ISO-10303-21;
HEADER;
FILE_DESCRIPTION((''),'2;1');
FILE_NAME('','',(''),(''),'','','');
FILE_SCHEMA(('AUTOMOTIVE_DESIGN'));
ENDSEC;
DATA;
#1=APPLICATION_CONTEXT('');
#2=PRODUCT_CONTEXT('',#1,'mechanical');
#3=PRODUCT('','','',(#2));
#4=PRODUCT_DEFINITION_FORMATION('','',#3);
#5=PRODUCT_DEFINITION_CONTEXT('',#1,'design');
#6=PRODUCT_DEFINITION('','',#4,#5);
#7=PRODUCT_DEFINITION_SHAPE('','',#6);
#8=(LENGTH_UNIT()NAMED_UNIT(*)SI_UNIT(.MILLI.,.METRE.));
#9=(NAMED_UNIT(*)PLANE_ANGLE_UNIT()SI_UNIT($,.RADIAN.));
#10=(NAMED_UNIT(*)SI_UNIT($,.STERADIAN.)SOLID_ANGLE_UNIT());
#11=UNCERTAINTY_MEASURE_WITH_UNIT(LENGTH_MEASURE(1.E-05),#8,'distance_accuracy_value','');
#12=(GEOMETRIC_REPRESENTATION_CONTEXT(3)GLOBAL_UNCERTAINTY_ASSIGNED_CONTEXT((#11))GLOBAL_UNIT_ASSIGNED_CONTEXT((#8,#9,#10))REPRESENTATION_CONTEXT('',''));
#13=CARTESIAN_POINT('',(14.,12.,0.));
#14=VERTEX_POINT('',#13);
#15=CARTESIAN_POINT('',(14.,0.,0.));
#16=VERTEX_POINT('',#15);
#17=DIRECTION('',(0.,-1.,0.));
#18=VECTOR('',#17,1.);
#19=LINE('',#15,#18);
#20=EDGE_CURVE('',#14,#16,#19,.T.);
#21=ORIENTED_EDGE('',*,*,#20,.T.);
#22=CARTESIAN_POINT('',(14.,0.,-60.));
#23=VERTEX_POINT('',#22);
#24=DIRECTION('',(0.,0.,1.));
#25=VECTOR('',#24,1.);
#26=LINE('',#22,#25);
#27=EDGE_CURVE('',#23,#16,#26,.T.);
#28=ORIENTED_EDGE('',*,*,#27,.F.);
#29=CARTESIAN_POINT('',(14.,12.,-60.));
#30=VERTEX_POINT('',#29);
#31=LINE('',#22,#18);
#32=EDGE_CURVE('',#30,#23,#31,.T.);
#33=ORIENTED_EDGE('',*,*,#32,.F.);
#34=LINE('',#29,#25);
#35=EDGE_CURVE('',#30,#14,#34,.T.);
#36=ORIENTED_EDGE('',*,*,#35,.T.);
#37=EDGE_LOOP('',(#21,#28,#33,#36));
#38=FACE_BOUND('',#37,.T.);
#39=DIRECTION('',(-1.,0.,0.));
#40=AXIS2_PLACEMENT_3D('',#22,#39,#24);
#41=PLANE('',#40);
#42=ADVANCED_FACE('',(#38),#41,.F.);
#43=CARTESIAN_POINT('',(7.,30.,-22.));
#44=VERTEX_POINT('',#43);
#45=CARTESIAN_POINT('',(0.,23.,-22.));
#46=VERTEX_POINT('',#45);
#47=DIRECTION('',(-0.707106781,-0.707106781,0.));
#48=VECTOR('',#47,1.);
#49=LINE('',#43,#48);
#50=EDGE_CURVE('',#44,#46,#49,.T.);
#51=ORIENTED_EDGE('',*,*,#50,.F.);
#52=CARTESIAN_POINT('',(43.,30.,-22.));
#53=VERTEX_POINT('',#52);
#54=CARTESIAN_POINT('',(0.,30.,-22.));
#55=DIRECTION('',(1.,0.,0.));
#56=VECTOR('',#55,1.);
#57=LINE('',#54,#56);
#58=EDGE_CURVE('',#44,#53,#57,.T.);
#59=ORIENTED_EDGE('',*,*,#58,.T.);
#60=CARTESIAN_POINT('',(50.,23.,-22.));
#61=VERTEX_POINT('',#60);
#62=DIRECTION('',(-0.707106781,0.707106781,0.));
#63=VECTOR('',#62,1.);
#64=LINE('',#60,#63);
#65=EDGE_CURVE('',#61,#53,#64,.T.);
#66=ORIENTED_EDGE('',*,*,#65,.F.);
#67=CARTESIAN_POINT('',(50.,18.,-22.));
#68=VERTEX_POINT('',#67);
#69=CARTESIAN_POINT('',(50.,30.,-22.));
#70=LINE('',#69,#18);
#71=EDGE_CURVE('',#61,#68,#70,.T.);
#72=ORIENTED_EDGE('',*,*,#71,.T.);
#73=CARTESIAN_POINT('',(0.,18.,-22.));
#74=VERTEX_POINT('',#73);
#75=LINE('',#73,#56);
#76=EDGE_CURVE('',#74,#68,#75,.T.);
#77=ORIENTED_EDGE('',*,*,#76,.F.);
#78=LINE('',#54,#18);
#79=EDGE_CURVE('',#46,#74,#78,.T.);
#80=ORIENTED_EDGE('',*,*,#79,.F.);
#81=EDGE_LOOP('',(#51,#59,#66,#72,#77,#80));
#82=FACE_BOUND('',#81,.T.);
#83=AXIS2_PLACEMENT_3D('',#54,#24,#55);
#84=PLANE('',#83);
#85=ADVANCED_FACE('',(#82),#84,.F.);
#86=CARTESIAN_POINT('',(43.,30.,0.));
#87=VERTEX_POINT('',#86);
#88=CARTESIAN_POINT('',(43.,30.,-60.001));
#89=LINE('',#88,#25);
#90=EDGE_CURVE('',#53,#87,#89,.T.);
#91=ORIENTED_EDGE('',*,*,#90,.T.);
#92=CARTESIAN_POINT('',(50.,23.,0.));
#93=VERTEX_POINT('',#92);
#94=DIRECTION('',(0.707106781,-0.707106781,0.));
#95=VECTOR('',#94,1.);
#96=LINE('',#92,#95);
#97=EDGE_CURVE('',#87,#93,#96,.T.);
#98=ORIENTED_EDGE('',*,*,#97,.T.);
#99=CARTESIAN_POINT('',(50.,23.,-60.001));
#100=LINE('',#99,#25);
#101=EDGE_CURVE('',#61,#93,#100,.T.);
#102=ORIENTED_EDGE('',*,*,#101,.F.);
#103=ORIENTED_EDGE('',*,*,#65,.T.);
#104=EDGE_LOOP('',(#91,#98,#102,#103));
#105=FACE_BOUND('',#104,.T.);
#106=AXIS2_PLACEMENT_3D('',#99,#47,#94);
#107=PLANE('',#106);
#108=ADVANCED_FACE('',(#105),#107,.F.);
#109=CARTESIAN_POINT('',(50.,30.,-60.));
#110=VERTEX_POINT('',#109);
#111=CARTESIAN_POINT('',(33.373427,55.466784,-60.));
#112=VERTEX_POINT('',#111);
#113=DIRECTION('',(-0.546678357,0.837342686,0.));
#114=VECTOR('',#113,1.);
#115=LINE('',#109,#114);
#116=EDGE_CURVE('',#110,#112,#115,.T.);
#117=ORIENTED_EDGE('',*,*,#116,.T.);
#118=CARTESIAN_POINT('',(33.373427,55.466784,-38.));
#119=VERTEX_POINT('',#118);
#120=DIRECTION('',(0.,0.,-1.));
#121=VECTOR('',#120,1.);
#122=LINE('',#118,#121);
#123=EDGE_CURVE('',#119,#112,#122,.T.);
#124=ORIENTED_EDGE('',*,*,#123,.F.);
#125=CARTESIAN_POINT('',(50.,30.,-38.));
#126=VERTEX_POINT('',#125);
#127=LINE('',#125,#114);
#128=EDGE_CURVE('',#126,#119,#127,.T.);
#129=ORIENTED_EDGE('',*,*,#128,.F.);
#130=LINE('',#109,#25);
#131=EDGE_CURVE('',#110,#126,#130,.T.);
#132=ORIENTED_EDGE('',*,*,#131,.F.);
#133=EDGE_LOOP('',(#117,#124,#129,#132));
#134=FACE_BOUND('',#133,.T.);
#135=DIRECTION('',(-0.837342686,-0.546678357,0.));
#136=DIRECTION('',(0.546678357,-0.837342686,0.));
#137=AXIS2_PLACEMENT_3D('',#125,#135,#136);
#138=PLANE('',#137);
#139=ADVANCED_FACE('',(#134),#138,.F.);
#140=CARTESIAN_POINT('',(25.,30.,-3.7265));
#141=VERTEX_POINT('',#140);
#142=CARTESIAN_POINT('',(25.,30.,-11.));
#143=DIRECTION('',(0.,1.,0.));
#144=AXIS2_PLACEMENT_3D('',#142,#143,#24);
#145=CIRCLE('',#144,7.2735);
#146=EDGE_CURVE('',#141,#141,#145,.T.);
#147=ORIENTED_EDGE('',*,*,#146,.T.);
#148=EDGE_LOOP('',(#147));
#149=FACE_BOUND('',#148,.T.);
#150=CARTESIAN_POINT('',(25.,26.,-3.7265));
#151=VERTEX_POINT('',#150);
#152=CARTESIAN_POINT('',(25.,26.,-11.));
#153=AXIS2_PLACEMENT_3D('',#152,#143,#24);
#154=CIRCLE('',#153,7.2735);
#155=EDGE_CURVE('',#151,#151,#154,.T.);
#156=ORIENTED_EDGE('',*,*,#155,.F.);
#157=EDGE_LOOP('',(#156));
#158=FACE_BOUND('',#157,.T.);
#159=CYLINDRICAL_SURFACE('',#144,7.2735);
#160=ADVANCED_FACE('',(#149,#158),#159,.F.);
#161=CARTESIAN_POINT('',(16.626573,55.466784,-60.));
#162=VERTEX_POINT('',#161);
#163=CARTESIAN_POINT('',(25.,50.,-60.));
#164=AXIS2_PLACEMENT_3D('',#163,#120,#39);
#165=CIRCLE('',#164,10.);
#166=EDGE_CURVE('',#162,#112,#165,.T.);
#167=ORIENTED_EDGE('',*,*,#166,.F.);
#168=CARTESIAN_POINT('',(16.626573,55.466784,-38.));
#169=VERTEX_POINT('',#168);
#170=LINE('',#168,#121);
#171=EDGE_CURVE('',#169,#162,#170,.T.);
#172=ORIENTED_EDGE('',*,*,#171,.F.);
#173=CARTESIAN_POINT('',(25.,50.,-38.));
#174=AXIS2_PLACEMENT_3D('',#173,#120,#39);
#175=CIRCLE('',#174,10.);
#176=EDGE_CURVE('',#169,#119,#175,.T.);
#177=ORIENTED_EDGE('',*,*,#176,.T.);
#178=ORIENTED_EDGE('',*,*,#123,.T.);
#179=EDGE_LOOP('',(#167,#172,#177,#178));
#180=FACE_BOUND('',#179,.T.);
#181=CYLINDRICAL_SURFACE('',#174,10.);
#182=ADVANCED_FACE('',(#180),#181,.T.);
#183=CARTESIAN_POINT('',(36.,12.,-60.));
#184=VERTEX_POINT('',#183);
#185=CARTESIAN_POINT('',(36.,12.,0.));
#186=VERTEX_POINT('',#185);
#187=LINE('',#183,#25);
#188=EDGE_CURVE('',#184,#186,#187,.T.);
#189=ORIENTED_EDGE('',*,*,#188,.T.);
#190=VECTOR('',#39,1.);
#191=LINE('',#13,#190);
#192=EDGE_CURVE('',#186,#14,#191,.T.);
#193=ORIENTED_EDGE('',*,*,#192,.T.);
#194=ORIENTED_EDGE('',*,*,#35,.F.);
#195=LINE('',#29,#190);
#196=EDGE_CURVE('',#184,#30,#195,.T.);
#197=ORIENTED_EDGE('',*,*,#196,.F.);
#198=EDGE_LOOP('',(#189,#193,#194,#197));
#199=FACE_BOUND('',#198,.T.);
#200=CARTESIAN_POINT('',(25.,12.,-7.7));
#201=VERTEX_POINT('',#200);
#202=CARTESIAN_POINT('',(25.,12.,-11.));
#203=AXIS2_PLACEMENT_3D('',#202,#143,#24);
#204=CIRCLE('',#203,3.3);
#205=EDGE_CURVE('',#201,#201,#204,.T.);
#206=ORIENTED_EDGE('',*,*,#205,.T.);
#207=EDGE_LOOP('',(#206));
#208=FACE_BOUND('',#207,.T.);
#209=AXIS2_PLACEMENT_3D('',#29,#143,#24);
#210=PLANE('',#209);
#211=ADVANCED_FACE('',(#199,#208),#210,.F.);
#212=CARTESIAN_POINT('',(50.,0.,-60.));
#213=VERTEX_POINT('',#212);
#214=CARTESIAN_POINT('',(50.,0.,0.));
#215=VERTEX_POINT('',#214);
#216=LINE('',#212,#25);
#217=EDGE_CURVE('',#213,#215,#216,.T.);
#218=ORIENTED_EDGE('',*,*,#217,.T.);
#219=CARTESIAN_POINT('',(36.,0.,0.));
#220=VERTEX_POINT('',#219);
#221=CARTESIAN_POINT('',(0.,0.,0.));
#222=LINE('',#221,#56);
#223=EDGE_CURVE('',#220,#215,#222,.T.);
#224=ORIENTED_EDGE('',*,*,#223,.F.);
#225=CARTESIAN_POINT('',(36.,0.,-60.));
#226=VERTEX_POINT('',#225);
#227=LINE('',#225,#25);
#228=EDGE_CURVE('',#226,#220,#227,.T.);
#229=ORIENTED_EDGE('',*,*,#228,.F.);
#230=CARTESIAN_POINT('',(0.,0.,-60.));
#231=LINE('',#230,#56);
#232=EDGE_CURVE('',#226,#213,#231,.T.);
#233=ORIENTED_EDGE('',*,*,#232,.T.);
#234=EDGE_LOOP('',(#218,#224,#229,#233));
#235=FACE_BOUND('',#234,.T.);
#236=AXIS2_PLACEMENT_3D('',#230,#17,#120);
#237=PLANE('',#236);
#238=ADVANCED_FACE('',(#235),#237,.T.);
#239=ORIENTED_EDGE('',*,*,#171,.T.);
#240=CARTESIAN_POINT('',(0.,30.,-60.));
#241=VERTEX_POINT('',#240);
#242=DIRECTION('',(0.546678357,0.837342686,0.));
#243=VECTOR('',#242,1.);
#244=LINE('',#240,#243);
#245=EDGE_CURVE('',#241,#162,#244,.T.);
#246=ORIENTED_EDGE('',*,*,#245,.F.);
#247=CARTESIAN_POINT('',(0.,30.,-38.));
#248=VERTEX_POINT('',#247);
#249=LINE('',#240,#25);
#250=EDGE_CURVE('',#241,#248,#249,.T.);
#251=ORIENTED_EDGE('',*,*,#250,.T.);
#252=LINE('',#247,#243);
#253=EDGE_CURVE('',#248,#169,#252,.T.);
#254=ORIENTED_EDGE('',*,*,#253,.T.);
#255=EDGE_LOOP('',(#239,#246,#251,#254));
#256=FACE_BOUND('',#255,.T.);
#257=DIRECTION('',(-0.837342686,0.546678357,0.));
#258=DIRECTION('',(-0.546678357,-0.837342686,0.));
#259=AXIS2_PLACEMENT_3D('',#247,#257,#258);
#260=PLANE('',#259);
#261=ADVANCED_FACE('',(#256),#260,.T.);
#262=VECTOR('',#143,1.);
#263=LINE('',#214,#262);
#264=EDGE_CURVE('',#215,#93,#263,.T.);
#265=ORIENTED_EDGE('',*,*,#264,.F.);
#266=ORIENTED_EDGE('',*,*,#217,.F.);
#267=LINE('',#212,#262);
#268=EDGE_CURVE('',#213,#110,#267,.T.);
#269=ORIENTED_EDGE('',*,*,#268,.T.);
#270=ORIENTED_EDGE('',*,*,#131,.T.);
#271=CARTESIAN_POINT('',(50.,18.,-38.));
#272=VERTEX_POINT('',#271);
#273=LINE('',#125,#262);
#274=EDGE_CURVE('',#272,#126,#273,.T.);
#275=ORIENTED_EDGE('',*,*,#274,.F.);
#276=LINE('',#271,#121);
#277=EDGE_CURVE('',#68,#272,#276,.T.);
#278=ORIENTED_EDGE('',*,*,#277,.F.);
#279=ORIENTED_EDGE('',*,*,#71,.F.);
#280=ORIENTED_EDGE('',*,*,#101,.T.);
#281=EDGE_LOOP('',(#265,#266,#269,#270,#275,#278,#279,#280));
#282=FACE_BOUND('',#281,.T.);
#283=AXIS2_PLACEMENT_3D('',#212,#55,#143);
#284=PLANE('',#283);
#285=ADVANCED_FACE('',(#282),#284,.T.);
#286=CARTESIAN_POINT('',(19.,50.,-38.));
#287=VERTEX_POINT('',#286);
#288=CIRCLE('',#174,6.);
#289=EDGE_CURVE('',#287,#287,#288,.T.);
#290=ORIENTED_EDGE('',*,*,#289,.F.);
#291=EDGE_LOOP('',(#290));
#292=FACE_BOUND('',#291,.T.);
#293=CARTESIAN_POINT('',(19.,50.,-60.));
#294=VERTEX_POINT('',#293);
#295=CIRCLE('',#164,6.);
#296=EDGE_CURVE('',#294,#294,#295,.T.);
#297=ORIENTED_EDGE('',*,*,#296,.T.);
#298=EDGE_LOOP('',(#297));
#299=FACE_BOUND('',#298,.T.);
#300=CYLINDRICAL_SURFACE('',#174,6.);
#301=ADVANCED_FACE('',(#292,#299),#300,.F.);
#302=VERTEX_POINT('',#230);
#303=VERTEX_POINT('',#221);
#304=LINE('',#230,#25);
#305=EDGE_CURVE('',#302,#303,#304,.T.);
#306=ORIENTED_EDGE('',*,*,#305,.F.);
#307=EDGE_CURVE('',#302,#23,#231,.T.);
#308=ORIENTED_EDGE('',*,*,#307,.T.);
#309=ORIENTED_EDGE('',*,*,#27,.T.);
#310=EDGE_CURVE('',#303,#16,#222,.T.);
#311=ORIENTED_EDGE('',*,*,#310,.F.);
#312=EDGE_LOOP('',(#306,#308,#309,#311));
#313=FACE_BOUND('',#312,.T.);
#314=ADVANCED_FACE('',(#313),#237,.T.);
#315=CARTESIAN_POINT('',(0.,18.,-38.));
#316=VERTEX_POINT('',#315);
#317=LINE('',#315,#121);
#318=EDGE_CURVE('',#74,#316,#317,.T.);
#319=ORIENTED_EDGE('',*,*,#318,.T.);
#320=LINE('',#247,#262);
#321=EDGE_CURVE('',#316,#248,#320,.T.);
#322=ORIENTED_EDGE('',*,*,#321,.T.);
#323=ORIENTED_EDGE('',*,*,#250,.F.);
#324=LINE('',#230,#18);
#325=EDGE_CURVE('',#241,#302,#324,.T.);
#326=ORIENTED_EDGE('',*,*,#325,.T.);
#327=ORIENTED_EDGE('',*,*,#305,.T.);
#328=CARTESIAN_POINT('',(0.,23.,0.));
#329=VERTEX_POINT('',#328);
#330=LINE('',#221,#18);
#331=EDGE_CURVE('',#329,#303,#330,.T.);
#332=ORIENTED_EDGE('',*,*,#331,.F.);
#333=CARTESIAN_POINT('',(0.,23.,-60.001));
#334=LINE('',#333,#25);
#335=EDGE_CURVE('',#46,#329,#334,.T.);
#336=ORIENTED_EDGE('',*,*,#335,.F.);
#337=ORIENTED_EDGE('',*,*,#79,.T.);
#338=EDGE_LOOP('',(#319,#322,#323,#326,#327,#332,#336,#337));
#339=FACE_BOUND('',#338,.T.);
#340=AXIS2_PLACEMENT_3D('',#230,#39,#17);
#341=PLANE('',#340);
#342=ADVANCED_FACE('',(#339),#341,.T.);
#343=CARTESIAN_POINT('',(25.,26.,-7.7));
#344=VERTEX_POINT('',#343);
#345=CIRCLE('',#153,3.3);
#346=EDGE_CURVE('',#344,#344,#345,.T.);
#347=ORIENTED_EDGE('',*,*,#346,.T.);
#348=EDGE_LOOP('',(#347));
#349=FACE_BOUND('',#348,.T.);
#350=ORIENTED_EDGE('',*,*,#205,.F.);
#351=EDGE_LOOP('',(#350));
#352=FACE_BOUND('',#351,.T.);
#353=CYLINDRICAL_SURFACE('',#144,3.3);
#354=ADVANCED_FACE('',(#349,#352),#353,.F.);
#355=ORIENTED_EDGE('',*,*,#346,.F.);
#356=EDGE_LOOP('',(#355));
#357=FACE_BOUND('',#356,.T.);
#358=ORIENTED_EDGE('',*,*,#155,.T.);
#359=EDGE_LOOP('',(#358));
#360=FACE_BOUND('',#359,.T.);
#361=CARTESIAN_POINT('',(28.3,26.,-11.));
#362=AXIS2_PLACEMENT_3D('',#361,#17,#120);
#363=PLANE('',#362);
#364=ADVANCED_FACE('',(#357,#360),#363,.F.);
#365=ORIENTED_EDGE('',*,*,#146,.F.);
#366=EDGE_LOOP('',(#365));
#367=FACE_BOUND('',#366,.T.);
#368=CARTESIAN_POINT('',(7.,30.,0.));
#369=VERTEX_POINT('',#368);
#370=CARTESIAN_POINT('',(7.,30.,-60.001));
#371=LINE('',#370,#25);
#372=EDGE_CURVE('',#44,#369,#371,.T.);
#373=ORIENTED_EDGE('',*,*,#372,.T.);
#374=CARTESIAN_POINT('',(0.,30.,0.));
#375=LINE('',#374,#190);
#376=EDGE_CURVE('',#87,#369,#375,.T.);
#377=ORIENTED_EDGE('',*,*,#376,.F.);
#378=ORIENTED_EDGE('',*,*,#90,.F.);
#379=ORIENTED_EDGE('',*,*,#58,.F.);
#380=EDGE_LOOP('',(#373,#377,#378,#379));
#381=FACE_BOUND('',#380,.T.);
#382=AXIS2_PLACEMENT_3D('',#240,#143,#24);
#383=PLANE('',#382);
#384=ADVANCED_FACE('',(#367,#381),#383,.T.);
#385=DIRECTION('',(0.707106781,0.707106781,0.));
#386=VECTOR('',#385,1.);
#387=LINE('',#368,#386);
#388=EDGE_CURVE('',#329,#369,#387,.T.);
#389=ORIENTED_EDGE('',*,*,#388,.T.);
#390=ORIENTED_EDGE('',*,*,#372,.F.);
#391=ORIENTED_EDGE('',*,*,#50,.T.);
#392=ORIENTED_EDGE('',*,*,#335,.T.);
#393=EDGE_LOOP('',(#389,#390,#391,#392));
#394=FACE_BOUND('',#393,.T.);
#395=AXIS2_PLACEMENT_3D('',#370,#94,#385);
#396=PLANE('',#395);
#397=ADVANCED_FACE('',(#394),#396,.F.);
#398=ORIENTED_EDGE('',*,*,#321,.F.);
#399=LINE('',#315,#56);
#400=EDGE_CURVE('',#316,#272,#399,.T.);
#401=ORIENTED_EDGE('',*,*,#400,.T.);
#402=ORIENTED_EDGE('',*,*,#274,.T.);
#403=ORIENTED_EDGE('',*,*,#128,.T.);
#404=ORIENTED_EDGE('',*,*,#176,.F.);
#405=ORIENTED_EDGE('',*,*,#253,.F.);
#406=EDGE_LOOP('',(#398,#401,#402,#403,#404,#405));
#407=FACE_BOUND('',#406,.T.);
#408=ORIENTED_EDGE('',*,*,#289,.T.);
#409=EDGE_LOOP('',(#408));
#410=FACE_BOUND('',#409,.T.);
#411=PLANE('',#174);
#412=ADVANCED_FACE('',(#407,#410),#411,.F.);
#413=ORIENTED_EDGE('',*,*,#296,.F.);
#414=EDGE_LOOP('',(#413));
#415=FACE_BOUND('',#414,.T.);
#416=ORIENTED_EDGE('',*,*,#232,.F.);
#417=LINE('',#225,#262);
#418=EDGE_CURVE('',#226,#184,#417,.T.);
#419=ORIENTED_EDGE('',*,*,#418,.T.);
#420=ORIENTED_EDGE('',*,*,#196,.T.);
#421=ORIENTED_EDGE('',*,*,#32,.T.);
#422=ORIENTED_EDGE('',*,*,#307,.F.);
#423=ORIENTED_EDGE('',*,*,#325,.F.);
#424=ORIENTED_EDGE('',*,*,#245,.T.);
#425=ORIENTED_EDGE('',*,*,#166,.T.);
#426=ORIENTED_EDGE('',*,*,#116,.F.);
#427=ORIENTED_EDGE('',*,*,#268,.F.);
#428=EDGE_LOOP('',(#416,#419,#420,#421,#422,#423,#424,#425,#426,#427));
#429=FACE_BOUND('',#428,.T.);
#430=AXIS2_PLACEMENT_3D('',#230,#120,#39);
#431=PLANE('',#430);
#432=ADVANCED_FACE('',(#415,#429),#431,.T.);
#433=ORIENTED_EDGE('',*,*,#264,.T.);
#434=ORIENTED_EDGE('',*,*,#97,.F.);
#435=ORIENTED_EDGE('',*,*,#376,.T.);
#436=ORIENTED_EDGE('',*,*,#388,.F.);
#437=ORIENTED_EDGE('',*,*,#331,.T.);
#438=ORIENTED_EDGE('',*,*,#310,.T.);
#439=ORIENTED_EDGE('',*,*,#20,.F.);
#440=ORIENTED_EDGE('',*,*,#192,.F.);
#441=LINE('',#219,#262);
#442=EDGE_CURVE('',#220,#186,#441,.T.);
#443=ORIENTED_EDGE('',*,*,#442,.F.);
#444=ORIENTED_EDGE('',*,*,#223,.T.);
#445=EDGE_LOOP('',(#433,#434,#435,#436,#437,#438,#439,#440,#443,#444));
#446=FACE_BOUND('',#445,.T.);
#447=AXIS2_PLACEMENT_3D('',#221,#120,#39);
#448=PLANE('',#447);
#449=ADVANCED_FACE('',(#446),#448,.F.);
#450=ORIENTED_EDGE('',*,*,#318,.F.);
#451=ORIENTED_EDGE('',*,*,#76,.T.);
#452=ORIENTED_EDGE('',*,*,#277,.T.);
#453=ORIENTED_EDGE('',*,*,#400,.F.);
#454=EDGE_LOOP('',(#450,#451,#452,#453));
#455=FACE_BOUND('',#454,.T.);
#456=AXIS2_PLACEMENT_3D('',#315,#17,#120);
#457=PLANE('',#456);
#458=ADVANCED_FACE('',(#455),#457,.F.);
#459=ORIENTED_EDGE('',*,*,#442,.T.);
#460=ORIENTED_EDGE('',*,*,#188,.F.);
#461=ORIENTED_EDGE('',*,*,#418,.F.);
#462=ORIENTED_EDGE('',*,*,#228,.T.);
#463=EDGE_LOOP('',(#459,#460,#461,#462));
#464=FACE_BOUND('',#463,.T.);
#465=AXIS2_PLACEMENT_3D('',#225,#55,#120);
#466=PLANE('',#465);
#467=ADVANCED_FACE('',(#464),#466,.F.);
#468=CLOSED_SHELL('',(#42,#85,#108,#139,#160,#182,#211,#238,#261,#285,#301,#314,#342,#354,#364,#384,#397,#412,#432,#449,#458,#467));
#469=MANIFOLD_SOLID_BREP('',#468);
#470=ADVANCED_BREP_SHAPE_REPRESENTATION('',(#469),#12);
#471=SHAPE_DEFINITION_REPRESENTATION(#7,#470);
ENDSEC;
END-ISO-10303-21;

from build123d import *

# Parameters (mm, degrees)
SKETCH1_W                               = 50
SKETCH1_H                               = 30
BOSS_EXTRUDE1_DEPTH                     = 60
SKETCH2_R                               = 6
BOSS_EXTRUDE2_DEPTH                     = 22
SKETCH3_W                               = 16
SKETCH3_H                               = 12
CUT_EXTRUDE1_DEPTH                      = 99.488578018
SKETCH4_W                               = 22
SKETCH4_H                               = 12
CUT_EXTRUDE2_DEPTH                      = 99.488578018
CUT_EXTRUDE3_REACH                      = 100.489
CBORE_FOR_M6_HEX_HEAD_BOLT2_D           = 6.6
CBORE_FOR_M6_HEX_HEAD_BOLT2_CBORE_D     = 14.547
CBORE_FOR_M6_HEX_HEAD_BOLT2_CBORE_DEPTH = 4


with BuildPart() as part:
    # Sketch1 → Boss-Extrude1 (new body)
    with BuildSketch(Plane.XY):
        with Locations((25, 15)):
            Rectangle(SKETCH1_W, SKETCH1_H)
    extrude(amount=-BOSS_EXTRUDE1_DEPTH)

    # Sketch2 → Boss-Extrude2 (add)
    with BuildSketch(Plane(origin=(0, 0, -60), x_dir=(-1, 0, 0), z_dir=(0, 0, -1))):
        with BuildLine():
            Line((-50, 30), (-33.373426859, 55.466783574))
            ThreePointArc((-33.373426859, 55.466783574), (-25, 60), (-16.626573141, 55.466783574))
            Line((-16.626573141, 55.466783574), (0, 30))
            Line((0, 30), (-50, 30))
        make_face()
        with Locations((-25, 50)):
            Circle(SKETCH2_R, mode=Mode.SUBTRACT)
    extrude(amount=-BOSS_EXTRUDE2_DEPTH)

    # Sketch3 → Cut-Extrude1 (cut, through all)
    with BuildSketch(Plane(origin=(50, 0, 0), x_dir=(0, 0, -1), z_dir=(1, 0, 0))):
        with Locations((30, 24)):
            Rectangle(SKETCH3_W, SKETCH3_H)
    extrude(amount=-CUT_EXTRUDE1_DEPTH, mode=Mode.SUBTRACT)

    # Sketch4 → Cut-Extrude2 (cut, through all)
    with BuildSketch(Plane.XY):
        with Locations((25, 6)):
            Rectangle(SKETCH4_W, SKETCH4_H)
    extrude(amount=-CUT_EXTRUDE2_DEPTH, mode=Mode.SUBTRACT)

    # Sketch5 → Cut-Extrude3 (cut, up to next)
    with BuildSketch(Plane.XY, mode=Mode.PRIVATE) as cut_extrude3_sk1:
        Polygon((50, 30), (50, 23), (43, 30), align=None)
    cut_extrude3_tool1 = extrude(cut_extrude3_sk1.sketch, amount=-CUT_EXTRUDE3_REACH, mode=Mode.PRIVATE) & part.part
    # Sketch5 → Cut-Extrude3 (cut, up to next)
    with BuildSketch(Plane.XY, mode=Mode.PRIVATE) as cut_extrude3_sk2:
        Polygon((0, 23), (0, 30), (7, 30), align=None)
    cut_extrude3_tool2 = extrude(cut_extrude3_sk2.sketch, amount=-CUT_EXTRUDE3_REACH, mode=Mode.PRIVATE) & part.part
    add(cut_extrude3_tool1.solids().sort_by_distance((47.666667, 27.666667, 0))[0], mode=Mode.SUBTRACT)
    add(cut_extrude3_tool2.solids().sort_by_distance((2.333333, 27.666667, 0))[0], mode=Mode.SUBTRACT)

    # CBORE for M6 Hex Head Bolt2 (through all)
    with Locations(Plane(origin=(0, 30, 0), x_dir=(1, 0, 0), z_dir=(0, 1, 0))):
        with Locations((25, 11)):
            CounterBoreHole(CBORE_FOR_M6_HEX_HEAD_BOLT2_D / 2, CBORE_FOR_M6_HEX_HEAD_BOLT2_CBORE_D / 2, CBORE_FOR_M6_HEX_HEAD_BOLT2_CBORE_DEPTH)


solid = part.part
